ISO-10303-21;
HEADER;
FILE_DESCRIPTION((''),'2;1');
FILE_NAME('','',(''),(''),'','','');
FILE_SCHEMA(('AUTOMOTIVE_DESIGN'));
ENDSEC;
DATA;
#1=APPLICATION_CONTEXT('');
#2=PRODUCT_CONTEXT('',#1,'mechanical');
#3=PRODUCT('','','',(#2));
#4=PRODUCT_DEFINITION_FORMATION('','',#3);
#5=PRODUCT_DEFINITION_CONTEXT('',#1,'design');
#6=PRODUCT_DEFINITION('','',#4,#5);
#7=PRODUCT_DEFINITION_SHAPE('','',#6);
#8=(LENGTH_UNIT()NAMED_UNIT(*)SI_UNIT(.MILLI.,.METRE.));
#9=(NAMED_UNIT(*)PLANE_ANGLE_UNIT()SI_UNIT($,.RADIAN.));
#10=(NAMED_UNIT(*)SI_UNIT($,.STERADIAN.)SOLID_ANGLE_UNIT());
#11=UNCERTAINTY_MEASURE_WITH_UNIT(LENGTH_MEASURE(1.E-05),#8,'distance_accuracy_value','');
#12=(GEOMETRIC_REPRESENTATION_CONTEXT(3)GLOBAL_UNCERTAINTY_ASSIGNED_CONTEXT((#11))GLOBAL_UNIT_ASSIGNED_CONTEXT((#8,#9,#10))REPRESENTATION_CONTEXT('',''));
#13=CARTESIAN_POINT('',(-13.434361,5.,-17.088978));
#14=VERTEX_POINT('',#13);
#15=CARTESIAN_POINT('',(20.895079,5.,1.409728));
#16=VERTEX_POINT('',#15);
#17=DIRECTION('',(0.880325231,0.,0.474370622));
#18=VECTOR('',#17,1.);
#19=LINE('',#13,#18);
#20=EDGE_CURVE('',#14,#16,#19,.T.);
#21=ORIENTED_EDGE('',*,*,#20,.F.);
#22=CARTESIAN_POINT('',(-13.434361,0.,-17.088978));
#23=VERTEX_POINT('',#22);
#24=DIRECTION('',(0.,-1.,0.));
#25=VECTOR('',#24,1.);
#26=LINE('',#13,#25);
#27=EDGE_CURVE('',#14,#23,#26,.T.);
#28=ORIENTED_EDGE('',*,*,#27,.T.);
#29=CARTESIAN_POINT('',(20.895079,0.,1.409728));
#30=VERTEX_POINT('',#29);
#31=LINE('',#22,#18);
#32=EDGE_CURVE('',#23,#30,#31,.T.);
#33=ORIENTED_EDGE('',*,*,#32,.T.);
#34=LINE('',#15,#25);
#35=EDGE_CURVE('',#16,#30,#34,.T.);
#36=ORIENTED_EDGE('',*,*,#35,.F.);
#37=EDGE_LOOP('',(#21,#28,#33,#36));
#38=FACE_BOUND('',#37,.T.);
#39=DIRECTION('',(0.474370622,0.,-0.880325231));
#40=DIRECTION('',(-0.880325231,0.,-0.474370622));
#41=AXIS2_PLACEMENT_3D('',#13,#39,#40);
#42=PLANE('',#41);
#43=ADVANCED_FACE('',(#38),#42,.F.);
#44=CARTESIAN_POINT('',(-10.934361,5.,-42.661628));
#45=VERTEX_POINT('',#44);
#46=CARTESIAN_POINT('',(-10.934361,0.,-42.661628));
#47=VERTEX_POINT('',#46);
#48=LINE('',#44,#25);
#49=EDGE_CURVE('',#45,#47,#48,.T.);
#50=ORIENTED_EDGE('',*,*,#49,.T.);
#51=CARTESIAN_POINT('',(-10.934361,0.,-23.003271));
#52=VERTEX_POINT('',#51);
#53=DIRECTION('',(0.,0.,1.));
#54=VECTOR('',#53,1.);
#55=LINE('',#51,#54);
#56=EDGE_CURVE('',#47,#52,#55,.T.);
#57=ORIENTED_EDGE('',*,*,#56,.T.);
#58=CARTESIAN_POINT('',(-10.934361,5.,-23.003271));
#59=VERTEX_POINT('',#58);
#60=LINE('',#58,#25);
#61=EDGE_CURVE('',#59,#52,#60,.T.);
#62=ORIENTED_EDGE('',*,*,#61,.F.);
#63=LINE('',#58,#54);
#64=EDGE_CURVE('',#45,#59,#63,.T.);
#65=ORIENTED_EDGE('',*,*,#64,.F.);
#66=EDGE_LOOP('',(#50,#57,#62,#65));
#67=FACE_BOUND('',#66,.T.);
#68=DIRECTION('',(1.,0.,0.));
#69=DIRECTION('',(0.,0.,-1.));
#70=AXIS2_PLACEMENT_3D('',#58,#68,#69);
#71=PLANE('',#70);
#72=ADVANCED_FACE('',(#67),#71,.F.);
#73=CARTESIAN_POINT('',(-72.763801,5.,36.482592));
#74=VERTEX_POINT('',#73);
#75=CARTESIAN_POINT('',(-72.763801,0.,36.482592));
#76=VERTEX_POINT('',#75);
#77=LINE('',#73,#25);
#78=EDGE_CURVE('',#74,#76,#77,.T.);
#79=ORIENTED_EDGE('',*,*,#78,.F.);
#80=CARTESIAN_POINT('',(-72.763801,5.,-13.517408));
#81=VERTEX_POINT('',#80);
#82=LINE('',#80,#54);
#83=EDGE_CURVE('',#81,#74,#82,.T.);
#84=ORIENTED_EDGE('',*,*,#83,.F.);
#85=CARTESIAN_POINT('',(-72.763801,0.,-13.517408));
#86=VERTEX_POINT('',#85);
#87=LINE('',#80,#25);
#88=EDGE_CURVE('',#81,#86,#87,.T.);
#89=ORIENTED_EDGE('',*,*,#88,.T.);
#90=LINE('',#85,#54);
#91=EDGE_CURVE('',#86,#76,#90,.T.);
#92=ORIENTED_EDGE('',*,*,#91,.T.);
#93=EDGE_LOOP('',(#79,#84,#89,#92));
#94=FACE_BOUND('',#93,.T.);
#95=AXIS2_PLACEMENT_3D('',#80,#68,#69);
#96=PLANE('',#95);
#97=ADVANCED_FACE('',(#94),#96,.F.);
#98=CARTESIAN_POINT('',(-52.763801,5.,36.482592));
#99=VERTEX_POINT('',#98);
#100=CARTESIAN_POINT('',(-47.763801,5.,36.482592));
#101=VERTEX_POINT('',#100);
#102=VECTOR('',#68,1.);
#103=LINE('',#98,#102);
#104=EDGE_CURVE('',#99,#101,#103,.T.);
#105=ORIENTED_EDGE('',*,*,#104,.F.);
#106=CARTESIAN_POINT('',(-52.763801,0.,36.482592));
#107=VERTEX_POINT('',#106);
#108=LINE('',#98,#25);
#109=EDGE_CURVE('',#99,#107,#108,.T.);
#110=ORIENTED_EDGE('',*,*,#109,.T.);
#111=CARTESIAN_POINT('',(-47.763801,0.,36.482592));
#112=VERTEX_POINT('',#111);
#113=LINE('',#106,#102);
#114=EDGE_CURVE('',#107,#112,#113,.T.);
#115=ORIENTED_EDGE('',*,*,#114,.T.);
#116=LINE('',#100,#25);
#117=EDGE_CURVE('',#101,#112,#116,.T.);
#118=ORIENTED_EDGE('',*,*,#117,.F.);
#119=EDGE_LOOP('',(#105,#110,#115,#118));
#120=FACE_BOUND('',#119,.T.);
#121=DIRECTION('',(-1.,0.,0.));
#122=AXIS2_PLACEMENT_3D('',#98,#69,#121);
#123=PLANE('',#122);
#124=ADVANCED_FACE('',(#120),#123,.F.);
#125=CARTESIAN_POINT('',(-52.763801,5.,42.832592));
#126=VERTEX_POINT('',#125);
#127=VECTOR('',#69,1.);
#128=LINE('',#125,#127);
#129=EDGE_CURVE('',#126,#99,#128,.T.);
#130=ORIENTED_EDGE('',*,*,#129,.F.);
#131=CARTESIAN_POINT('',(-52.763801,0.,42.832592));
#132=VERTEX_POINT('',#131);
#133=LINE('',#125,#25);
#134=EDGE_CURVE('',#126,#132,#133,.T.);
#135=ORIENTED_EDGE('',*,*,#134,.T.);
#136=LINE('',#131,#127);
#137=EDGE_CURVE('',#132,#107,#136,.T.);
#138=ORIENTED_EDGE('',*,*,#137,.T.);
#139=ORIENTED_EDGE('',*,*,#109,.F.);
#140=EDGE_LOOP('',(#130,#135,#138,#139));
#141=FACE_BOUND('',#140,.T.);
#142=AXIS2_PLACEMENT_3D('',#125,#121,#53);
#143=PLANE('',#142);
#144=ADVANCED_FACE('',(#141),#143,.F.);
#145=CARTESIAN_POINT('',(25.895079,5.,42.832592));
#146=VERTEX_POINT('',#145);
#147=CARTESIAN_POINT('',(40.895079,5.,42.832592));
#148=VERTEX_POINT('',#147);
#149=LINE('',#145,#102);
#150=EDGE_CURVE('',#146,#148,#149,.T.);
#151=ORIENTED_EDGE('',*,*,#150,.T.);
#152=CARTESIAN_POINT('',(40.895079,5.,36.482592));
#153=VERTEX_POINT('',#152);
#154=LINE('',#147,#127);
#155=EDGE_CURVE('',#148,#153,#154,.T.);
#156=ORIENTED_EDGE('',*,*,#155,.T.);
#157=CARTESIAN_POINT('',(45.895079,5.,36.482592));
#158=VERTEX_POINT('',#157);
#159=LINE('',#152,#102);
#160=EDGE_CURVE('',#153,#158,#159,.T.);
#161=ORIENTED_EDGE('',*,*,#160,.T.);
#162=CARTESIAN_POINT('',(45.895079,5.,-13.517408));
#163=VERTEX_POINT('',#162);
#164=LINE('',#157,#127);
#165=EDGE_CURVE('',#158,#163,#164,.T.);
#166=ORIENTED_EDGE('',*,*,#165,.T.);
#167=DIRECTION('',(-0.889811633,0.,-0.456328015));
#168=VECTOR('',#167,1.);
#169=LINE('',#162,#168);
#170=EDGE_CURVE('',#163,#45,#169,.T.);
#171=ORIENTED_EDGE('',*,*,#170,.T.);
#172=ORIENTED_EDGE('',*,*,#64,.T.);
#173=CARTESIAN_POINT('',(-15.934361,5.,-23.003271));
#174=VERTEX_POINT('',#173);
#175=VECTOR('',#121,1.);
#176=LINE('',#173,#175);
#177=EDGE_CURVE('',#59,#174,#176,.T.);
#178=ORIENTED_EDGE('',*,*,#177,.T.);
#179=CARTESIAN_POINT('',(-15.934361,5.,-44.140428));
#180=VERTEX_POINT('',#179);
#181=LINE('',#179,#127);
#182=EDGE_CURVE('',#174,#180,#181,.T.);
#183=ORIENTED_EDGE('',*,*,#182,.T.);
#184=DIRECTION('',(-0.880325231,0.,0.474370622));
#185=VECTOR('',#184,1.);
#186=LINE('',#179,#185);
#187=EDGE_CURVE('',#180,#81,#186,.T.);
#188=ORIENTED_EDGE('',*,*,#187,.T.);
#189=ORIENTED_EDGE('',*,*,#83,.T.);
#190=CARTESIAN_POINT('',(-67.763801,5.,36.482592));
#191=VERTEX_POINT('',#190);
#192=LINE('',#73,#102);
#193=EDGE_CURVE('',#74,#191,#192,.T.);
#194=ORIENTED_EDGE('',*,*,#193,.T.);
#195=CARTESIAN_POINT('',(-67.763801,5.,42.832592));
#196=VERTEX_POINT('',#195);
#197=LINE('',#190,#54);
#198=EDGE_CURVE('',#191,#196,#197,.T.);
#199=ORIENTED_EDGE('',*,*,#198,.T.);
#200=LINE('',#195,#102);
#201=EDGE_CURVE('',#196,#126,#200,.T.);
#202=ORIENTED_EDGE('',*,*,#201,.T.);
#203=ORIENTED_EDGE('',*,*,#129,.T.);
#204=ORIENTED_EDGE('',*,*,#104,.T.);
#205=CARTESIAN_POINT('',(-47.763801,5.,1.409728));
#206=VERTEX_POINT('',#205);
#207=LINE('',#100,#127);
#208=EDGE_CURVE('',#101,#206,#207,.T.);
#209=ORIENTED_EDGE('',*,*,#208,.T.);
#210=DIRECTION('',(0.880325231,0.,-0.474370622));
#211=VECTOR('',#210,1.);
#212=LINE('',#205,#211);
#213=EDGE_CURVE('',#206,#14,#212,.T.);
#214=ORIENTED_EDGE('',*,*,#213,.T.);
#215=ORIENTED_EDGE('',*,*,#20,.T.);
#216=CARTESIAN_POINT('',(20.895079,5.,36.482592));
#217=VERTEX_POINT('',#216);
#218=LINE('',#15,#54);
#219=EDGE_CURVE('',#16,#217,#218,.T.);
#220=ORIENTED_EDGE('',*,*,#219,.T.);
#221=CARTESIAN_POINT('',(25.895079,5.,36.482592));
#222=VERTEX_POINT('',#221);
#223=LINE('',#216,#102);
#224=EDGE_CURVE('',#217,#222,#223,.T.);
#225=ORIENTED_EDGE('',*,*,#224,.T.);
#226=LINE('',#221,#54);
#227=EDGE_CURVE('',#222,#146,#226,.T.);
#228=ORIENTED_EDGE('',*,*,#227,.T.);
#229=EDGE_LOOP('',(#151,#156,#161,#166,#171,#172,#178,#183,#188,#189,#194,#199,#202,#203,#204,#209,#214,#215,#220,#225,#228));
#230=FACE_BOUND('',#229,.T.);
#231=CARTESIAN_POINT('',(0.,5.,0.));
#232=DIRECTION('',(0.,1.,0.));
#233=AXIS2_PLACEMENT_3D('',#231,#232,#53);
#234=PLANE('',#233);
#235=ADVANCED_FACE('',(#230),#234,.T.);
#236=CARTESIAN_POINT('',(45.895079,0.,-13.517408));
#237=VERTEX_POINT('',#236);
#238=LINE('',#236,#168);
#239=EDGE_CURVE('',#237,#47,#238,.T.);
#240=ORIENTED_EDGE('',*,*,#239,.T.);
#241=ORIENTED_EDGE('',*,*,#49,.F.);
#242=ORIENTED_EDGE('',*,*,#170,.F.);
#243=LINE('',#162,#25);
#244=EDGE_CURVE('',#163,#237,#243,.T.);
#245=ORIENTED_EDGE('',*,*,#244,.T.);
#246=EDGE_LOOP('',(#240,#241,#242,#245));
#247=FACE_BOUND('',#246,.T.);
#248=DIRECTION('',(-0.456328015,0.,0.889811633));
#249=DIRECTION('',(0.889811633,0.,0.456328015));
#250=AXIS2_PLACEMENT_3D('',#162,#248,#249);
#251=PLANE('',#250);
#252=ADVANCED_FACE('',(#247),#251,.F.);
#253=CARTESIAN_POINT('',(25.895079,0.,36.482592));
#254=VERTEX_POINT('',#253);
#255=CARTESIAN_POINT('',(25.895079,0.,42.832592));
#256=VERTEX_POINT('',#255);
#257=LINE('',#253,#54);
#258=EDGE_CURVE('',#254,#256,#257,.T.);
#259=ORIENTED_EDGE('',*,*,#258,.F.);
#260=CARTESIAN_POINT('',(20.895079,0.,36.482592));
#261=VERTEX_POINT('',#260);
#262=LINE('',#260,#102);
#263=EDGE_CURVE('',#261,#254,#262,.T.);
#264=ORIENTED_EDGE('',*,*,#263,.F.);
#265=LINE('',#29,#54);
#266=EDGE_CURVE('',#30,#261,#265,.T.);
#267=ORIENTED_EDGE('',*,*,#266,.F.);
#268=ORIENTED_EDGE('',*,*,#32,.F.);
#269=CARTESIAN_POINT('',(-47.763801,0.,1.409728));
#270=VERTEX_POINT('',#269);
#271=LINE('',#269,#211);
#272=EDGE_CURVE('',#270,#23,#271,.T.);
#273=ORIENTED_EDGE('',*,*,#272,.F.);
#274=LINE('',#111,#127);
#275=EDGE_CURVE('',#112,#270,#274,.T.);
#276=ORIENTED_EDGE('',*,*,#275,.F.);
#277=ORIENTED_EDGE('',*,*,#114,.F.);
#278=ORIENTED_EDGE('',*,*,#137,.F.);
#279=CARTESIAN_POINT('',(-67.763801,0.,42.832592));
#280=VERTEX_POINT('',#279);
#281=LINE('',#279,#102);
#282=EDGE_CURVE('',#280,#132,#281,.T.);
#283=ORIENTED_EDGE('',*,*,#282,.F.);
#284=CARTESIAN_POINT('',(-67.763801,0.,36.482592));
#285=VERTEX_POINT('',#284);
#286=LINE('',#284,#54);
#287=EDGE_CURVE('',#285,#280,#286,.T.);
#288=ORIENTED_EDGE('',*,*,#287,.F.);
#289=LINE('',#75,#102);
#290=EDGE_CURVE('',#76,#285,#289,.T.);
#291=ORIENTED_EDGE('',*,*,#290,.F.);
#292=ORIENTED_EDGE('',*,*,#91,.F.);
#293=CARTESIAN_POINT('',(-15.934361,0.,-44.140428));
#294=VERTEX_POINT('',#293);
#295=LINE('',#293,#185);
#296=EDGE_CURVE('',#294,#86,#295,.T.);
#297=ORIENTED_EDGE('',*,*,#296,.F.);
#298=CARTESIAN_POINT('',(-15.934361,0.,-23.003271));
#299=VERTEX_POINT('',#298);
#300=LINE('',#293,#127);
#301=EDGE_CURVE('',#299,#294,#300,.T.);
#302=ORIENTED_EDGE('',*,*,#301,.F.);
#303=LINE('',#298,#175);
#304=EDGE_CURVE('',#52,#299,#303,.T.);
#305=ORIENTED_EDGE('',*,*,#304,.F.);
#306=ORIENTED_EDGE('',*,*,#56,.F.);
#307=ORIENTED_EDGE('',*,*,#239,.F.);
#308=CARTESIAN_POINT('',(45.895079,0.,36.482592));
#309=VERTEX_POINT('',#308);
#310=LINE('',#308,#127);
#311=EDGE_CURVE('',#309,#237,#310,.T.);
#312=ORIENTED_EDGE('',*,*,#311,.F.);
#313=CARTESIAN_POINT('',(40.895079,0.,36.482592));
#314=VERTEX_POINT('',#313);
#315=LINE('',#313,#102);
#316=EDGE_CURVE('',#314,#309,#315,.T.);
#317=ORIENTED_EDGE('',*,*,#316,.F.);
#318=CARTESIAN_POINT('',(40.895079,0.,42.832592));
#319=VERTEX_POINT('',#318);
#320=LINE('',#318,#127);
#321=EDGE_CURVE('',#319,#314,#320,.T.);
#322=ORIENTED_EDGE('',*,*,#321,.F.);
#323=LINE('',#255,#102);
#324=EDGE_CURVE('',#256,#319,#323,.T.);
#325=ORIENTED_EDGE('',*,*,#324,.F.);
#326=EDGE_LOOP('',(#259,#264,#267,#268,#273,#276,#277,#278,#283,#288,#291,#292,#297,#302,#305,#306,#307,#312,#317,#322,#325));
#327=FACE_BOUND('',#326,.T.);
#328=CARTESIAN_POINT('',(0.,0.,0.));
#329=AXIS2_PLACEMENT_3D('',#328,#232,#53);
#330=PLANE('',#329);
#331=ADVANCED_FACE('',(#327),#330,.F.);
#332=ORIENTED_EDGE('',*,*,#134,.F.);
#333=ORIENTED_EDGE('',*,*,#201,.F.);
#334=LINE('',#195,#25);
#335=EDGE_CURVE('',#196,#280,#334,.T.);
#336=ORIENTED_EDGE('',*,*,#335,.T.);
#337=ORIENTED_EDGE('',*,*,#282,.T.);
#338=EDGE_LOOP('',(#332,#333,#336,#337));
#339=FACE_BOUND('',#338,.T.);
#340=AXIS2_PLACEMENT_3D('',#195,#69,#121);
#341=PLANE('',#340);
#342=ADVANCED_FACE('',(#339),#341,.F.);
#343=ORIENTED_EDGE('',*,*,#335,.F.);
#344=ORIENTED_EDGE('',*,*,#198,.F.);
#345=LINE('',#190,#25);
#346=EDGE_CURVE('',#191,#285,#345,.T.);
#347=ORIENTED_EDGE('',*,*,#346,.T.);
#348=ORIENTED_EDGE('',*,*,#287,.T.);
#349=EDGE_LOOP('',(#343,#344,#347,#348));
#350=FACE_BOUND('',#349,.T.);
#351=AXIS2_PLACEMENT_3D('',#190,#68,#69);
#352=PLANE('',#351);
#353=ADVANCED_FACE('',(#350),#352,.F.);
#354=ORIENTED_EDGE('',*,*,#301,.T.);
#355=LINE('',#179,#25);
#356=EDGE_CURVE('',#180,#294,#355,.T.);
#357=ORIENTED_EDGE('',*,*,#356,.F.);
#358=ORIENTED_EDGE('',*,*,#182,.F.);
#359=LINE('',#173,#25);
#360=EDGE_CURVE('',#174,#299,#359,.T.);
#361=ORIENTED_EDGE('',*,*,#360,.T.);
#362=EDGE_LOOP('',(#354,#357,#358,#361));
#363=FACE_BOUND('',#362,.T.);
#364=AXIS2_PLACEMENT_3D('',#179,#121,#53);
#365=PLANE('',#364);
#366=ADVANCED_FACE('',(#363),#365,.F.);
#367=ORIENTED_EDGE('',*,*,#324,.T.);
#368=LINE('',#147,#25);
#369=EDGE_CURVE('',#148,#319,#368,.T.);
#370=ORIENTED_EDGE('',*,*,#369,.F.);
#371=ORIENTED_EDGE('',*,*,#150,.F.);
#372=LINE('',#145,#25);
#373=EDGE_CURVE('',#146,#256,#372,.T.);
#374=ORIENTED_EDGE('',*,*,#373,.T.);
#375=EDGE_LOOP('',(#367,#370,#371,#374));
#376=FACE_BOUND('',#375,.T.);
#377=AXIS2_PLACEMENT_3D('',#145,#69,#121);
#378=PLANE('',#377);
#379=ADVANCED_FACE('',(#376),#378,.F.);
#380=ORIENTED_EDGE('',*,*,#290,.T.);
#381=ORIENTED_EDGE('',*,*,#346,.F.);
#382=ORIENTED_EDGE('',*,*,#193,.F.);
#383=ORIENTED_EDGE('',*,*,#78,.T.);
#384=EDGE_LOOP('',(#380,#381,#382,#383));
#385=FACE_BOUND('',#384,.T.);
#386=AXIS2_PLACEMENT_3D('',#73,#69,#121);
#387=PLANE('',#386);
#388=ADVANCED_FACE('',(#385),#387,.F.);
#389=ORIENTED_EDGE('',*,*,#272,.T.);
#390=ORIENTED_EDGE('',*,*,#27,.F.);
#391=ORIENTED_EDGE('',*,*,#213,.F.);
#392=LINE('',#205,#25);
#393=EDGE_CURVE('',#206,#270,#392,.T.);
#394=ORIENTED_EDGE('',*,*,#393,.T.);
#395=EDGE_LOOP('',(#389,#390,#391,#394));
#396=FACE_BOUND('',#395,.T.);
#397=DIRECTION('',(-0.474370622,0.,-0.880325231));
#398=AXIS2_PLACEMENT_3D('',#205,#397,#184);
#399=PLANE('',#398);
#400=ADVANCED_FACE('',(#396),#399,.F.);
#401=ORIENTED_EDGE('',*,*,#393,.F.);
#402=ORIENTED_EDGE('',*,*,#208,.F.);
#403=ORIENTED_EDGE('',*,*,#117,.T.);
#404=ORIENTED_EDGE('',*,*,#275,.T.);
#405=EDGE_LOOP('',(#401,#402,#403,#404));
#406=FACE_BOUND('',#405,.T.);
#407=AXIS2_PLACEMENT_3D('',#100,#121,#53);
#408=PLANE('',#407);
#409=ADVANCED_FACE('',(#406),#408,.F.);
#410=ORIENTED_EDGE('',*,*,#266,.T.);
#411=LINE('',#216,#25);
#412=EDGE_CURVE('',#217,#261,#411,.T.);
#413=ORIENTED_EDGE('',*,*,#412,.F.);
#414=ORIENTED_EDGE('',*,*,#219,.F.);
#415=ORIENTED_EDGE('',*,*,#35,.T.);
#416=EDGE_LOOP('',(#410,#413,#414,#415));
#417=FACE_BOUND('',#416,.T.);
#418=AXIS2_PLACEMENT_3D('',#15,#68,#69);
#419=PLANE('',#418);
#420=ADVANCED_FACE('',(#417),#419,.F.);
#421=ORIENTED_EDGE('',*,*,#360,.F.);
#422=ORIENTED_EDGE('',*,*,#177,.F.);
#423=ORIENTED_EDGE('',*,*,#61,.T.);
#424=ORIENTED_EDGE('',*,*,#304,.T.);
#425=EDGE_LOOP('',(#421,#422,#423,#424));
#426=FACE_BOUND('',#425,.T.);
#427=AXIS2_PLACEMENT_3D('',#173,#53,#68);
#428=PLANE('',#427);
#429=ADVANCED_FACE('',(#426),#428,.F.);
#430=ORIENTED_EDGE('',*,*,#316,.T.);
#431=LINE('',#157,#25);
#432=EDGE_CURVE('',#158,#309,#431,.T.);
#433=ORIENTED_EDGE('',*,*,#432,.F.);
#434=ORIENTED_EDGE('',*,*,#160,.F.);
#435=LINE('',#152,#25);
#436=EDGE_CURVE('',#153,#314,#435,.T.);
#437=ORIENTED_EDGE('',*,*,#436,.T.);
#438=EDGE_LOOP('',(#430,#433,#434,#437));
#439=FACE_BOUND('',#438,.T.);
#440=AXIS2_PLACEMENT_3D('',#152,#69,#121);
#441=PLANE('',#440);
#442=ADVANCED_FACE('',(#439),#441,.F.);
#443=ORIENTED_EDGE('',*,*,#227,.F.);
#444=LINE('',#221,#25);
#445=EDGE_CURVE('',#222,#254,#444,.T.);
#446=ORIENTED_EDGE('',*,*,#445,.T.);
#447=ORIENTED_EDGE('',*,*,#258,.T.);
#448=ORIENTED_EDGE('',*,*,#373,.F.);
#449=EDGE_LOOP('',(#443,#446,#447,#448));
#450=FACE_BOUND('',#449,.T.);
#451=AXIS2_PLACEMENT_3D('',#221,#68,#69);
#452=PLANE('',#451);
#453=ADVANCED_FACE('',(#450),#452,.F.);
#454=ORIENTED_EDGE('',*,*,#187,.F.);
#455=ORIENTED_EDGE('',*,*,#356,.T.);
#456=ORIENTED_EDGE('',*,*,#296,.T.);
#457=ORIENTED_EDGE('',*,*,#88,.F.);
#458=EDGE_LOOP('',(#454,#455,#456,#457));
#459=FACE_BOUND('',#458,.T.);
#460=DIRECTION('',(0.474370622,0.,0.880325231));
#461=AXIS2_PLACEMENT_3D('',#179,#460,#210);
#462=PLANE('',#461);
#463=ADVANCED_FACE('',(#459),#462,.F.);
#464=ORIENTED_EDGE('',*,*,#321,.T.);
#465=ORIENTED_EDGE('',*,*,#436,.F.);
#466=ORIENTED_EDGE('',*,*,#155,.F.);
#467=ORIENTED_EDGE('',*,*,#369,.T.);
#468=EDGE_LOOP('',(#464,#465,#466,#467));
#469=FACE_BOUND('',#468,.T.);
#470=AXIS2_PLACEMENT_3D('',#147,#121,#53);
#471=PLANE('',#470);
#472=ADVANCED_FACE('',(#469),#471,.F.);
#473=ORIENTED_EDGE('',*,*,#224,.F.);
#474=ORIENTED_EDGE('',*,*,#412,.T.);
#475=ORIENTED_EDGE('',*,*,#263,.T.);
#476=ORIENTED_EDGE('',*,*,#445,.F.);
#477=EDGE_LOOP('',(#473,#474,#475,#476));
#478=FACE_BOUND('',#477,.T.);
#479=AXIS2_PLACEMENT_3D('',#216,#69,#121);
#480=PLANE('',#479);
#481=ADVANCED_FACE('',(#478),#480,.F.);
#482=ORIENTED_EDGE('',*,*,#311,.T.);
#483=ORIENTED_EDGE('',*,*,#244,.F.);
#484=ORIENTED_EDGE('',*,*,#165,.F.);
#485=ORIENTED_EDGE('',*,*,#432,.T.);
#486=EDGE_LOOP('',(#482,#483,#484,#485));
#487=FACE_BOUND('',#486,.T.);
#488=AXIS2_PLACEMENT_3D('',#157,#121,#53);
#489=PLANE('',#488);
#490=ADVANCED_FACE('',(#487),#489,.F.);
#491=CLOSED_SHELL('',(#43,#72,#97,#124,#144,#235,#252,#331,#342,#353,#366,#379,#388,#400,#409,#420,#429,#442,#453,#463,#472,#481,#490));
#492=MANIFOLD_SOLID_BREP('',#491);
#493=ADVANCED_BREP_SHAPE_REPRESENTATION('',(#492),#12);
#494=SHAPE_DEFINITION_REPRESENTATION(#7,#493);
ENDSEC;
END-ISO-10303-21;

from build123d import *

# Parameters (mm, degrees)
BOSS_EXTRUDE1_DEPTH = 5


with BuildPart() as part:
    # Sketch1 → Boss-Extrude1 (new body)
    with BuildSketch(Plane(origin=(0, 0, 0), x_dir=(1, 0, 0), z_dir=(0, 1, 0))):
        Polygon((-72.763800855, -36.482591992), (-67.763800855, -36.482591992), (-67.763800855, -42.832591992), (-52.763800855, -42.832591992), (-52.763800855, -36.482591992), (-47.763800855, -36.482591992), (-47.763800855, -1.40972798), (-13.434360787, 17.088978271), (20.89507928, -1.40972798), (20.89507928, -36.482591992), (25.89507928, -36.482591992), (25.89507928, -42.832591992), (40.89507928, -42.832591992), (40.89507928, -36.482591992), (45.89507928, -36.482591992), (45.89507928, 13.517408008), (-10.934360787, 42.661627557), (-10.934360787, 23.003270856), (-15.934360787, 23.003270856), (-15.934360787, 44.14042767), (-72.763800855, 13.517408008), align=None)
    extrude(amount=BOSS_EXTRUDE1_DEPTH)


solid = part.part
